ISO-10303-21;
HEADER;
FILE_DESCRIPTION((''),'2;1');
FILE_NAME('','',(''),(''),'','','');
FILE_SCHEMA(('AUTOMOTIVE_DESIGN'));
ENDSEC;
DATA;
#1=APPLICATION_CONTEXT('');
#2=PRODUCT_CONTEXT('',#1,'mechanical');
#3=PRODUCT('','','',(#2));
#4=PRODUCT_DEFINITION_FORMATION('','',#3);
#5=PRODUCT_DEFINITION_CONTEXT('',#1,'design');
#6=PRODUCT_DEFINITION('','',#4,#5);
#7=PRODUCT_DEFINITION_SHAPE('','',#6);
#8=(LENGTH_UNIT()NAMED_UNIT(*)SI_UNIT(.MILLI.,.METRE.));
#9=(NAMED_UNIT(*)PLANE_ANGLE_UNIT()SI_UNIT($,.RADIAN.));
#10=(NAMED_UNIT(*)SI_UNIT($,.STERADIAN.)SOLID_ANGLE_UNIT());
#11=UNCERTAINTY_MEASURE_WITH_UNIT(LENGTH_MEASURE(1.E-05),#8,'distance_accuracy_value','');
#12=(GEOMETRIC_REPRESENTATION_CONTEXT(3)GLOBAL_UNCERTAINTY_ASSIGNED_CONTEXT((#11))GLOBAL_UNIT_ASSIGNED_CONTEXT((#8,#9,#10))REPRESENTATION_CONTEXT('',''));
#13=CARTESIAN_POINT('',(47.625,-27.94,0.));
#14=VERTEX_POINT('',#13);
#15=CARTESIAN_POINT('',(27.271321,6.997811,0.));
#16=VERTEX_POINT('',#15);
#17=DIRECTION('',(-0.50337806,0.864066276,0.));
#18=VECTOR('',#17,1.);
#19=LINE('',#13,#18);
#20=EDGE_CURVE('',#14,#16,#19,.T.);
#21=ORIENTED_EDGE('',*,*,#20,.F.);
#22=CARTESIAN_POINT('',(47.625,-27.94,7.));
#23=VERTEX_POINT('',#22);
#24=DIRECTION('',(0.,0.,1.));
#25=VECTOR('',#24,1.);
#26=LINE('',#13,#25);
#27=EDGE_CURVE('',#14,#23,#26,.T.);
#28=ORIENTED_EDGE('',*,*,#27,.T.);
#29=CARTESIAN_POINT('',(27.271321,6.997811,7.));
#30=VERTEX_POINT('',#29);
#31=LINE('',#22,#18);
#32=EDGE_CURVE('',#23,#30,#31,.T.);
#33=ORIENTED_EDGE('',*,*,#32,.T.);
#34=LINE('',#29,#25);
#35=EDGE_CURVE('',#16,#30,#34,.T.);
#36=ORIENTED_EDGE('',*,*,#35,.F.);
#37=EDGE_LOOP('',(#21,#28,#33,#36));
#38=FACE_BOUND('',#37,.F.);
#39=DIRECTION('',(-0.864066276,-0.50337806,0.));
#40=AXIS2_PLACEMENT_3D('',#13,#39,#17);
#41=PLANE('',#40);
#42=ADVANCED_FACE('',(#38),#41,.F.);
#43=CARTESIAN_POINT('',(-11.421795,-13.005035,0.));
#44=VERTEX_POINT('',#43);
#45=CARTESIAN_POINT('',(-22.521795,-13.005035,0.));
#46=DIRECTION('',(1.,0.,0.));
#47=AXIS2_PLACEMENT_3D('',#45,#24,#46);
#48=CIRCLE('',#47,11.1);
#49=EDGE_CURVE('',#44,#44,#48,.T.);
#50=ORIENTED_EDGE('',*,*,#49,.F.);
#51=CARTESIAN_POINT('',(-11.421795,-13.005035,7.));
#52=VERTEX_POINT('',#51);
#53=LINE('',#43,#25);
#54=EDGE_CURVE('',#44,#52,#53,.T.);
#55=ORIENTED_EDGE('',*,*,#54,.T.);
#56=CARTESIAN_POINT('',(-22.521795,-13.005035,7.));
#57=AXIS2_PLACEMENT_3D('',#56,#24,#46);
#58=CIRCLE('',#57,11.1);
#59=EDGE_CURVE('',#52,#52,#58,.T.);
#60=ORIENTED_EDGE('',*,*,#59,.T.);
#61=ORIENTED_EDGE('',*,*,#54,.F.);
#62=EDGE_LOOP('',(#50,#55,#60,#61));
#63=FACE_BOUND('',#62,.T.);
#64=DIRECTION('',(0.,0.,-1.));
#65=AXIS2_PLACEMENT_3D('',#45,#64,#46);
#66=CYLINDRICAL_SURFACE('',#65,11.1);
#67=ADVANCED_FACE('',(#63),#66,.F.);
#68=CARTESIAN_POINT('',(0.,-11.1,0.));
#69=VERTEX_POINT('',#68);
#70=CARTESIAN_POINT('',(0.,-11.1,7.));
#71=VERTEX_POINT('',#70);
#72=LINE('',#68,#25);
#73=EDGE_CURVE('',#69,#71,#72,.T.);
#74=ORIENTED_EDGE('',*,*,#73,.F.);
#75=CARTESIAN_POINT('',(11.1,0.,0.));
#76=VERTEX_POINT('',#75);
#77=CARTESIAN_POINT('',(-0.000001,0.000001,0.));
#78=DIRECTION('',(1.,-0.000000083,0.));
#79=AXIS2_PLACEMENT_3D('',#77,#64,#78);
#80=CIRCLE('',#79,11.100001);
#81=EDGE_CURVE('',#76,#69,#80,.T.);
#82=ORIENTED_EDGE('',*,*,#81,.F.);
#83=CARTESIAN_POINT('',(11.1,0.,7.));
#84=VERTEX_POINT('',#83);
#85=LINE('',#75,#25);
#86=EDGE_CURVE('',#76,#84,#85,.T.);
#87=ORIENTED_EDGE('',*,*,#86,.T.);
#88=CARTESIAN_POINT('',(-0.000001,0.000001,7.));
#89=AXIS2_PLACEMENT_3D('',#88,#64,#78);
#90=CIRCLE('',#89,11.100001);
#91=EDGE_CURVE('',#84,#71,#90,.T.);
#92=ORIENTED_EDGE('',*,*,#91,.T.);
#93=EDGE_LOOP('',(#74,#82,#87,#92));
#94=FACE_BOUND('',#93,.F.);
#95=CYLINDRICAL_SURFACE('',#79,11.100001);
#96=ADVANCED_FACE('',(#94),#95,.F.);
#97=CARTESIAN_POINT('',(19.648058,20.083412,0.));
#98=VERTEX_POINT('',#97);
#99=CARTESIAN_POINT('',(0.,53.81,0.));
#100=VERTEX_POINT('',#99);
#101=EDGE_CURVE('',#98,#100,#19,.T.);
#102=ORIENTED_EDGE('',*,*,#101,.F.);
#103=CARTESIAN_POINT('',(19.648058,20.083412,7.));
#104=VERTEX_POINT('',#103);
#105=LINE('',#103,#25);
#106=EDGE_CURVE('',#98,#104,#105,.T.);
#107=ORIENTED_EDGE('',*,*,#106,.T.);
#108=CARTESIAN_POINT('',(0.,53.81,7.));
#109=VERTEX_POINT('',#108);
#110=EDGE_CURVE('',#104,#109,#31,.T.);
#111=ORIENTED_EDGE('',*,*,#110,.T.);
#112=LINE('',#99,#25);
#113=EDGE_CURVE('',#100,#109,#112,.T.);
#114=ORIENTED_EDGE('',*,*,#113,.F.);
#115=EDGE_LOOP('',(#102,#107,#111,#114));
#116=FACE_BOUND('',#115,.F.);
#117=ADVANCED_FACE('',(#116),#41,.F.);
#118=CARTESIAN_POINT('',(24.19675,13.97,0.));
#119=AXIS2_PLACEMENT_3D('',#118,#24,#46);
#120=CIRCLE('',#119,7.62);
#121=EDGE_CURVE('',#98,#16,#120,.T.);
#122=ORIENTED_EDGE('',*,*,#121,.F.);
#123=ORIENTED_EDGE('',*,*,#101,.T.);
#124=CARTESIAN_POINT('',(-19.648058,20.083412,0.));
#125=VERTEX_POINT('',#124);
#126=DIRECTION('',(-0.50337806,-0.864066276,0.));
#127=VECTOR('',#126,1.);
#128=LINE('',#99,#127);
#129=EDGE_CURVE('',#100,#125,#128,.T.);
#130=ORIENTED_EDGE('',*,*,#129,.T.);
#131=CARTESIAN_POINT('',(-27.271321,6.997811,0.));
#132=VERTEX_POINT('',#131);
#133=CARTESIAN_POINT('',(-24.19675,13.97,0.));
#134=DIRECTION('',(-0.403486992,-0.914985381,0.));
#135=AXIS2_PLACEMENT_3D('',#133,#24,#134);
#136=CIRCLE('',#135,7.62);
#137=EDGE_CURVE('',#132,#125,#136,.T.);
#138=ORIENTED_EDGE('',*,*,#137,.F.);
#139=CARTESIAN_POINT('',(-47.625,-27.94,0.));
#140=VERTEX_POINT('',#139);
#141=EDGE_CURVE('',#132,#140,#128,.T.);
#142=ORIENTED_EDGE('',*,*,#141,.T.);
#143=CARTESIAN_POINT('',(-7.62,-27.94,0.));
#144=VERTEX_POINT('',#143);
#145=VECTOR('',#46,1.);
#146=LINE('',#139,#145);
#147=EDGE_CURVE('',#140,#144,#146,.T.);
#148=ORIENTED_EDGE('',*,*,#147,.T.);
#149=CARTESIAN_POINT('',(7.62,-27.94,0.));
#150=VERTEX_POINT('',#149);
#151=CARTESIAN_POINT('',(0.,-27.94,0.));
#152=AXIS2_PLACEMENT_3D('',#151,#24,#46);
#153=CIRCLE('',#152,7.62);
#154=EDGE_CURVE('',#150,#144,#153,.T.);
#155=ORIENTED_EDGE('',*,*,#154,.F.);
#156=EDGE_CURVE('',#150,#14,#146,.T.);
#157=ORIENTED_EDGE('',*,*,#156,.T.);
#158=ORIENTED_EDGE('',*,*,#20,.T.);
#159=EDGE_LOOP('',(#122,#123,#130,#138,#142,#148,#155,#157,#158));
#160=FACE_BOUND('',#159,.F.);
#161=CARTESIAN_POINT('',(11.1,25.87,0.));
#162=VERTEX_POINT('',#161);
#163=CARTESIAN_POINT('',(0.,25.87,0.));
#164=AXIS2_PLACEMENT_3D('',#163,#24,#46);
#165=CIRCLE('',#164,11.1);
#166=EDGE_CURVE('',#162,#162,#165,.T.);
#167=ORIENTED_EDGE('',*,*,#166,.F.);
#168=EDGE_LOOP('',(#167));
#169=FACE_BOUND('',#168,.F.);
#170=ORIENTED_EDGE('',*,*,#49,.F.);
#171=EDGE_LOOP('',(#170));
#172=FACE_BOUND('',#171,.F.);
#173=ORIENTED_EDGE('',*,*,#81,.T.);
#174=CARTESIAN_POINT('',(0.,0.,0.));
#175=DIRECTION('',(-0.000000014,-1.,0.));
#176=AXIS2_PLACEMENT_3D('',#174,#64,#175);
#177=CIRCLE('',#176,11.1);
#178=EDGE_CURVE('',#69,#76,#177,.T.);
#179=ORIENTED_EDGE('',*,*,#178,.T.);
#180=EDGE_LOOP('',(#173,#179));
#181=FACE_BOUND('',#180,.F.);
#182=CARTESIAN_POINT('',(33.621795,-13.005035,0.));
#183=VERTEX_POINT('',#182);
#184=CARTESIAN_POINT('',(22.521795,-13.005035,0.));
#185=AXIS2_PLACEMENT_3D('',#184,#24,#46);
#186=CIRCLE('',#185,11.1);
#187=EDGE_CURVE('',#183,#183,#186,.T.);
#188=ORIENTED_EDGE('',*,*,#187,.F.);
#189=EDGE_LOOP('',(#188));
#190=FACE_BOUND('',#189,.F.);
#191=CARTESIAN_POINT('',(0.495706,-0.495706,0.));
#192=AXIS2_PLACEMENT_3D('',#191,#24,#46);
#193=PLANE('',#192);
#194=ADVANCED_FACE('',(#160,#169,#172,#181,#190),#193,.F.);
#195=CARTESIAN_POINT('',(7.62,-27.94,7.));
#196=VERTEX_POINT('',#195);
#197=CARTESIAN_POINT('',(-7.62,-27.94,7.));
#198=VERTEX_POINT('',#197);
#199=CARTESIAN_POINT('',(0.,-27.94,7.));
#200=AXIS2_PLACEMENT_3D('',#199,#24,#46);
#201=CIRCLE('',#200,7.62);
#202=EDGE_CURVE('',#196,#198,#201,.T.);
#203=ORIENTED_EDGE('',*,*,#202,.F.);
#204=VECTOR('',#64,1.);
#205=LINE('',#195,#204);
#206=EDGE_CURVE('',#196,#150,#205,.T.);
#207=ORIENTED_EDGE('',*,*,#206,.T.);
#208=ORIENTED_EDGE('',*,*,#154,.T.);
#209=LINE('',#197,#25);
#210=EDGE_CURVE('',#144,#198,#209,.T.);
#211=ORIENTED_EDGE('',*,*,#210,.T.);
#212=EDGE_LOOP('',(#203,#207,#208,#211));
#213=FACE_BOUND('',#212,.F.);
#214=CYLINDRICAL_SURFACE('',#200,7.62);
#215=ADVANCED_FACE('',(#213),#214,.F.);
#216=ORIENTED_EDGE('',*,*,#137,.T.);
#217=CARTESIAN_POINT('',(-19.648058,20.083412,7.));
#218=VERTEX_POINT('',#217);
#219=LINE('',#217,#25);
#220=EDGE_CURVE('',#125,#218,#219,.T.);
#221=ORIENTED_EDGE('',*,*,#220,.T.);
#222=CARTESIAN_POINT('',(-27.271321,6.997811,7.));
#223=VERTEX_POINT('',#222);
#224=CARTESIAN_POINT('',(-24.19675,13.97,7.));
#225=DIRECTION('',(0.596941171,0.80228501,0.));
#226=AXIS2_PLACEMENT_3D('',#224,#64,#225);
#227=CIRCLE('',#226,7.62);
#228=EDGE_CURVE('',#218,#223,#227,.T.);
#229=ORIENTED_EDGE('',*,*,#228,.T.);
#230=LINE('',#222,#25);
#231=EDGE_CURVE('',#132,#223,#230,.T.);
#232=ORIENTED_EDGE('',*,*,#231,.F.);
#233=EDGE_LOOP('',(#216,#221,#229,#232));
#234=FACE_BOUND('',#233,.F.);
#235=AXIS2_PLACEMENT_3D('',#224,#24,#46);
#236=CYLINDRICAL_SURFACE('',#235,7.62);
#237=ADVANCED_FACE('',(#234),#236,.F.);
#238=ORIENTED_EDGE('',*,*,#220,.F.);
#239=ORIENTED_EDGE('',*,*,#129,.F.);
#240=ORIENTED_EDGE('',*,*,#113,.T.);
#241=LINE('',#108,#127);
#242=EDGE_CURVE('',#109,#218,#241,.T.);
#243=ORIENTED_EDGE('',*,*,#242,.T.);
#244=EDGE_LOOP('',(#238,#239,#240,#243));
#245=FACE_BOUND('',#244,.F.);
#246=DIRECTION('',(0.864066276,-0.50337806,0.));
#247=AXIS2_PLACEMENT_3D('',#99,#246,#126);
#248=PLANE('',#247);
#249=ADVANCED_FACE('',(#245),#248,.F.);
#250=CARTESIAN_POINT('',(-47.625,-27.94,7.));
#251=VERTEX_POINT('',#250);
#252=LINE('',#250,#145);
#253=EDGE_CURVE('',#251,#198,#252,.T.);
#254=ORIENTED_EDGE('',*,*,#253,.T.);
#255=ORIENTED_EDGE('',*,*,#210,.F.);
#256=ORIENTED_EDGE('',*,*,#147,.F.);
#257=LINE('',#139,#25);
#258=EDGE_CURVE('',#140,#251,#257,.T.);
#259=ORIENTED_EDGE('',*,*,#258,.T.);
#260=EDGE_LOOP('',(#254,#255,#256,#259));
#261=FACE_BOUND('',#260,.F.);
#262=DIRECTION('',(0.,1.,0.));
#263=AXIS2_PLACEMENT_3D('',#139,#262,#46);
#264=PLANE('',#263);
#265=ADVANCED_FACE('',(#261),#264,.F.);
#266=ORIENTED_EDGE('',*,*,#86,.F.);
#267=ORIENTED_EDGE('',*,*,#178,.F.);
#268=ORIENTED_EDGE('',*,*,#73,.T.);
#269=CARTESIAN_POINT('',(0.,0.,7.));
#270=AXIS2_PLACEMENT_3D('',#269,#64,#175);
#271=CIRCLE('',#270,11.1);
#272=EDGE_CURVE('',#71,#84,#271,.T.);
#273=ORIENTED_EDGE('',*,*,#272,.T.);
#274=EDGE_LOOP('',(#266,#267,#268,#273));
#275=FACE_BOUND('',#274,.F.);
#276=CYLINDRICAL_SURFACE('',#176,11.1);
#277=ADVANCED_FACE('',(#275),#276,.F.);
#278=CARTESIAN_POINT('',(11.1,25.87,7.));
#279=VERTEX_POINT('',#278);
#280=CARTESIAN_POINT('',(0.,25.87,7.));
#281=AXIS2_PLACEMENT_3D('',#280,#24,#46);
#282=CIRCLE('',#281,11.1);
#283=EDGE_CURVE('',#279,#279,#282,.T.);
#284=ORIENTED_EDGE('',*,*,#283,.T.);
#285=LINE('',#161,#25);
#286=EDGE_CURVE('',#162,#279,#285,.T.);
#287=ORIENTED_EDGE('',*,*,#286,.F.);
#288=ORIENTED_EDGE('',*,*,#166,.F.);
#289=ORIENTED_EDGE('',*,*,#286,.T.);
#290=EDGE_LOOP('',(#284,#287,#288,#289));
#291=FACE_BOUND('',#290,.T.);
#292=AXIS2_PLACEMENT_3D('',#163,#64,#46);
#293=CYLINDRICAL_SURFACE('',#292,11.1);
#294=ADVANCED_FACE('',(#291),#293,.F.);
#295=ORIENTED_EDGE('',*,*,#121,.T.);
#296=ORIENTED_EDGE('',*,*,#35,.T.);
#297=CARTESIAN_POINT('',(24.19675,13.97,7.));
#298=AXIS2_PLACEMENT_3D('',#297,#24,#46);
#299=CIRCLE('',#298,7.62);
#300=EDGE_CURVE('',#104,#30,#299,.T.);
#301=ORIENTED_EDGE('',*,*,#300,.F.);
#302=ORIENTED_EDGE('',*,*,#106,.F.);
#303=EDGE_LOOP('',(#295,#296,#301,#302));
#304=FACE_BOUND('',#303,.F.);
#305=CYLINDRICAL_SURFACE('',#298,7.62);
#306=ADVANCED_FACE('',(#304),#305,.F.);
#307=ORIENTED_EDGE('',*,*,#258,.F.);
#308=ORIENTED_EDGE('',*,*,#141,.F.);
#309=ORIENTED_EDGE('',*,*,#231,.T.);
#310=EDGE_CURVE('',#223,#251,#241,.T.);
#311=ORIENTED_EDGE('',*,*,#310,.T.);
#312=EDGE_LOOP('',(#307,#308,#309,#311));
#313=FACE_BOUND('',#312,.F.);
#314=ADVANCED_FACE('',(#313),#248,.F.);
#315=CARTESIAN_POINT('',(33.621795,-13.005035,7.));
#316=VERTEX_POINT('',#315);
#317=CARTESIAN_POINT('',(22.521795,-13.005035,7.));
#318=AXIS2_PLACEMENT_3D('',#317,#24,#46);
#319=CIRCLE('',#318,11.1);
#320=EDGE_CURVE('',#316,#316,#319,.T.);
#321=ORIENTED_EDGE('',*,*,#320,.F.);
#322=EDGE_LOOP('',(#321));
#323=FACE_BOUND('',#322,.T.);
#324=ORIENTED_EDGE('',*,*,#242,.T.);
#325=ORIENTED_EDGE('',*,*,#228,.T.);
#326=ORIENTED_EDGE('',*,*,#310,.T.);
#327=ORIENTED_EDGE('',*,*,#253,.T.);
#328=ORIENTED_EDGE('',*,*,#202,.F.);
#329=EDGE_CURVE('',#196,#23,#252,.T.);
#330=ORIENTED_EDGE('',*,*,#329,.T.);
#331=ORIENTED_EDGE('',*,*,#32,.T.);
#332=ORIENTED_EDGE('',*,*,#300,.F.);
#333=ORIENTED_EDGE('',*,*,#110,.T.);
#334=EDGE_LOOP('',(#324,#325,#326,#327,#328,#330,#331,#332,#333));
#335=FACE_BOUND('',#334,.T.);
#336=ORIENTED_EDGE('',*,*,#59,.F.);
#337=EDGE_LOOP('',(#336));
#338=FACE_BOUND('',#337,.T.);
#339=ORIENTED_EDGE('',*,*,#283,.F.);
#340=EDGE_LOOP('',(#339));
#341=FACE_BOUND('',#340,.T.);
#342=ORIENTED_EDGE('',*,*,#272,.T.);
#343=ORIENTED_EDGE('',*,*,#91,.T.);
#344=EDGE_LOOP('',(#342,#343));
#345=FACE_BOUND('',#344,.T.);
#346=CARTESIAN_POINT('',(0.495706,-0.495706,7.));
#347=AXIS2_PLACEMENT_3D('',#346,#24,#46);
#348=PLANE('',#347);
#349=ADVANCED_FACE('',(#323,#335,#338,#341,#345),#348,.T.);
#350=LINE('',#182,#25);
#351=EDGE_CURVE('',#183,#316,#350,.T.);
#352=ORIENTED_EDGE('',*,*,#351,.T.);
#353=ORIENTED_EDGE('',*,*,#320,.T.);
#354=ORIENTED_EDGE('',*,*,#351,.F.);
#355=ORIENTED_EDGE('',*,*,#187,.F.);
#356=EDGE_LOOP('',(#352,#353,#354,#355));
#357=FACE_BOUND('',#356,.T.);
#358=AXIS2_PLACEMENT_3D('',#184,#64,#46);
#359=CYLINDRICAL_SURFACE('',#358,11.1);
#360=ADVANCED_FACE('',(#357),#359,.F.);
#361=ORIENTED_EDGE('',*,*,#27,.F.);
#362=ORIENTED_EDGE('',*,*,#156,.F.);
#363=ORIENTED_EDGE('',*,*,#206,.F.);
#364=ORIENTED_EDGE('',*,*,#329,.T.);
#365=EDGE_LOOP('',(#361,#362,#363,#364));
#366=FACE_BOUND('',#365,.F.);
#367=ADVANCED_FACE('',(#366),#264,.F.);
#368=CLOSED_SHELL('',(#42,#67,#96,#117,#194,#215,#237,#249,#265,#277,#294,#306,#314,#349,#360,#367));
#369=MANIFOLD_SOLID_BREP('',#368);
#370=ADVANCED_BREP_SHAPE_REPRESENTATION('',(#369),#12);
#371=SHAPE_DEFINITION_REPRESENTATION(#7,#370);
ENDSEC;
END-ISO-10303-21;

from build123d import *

# Parameters (mm, degrees)
F0_R     = 11.1
F1_DEPTH = 7
F2_R     = 7.62
F3_DEPTH = 25.4


with BuildPart() as f1:
    # F0 (on Top) → F1 (new body)
    with BuildSketch(Plane.XY):
        with BuildLine():
            ThreePointArc((0, -11.1), (7.848885, -7.848885), (11.1, 0))
            ThreePointArc((11.1, 0), (-7.848885, 7.848885), (0, -11.1))
        make_face()
        Polygon((-47.625, -27.94), (0, -27.94), (47.625, -27.94), (0, 53.81), align=None)
        with Locations((-22.521795, -13.005035)):
            Circle(F0_R, mode=Mode.SUBTRACT)
        with Locations((22.521795, -13.005035)):
            Circle(F0_R, mode=Mode.SUBTRACT)
        with BuildLine():
            ThreePointArc((0, -11.1), (-7.848885, 7.848885), (11.1, 0))
            ThreePointArc((11.1, 0), (7.848885, -7.848885), (0, -11.1))
        make_face(mode=Mode.SUBTRACT)
        with Locations((0, 25.87)):
            Circle(F0_R, mode=Mode.SUBTRACT)
    extrude(amount=F1_DEPTH)

    # F2 (on face) → F3 (cut)
    with BuildSketch(Plane.XY.offset(7)):
        with Locations((0, -27.94)):
            Circle(F2_R)
        with Locations((24.19675, 13.97)):
            Circle(F2_R)
        with Locations((-24.19675, 13.97)):
            Circle(F2_R)
    extrude(amount=-F3_DEPTH, mode=Mode.SUBTRACT)


solid = f1.part
